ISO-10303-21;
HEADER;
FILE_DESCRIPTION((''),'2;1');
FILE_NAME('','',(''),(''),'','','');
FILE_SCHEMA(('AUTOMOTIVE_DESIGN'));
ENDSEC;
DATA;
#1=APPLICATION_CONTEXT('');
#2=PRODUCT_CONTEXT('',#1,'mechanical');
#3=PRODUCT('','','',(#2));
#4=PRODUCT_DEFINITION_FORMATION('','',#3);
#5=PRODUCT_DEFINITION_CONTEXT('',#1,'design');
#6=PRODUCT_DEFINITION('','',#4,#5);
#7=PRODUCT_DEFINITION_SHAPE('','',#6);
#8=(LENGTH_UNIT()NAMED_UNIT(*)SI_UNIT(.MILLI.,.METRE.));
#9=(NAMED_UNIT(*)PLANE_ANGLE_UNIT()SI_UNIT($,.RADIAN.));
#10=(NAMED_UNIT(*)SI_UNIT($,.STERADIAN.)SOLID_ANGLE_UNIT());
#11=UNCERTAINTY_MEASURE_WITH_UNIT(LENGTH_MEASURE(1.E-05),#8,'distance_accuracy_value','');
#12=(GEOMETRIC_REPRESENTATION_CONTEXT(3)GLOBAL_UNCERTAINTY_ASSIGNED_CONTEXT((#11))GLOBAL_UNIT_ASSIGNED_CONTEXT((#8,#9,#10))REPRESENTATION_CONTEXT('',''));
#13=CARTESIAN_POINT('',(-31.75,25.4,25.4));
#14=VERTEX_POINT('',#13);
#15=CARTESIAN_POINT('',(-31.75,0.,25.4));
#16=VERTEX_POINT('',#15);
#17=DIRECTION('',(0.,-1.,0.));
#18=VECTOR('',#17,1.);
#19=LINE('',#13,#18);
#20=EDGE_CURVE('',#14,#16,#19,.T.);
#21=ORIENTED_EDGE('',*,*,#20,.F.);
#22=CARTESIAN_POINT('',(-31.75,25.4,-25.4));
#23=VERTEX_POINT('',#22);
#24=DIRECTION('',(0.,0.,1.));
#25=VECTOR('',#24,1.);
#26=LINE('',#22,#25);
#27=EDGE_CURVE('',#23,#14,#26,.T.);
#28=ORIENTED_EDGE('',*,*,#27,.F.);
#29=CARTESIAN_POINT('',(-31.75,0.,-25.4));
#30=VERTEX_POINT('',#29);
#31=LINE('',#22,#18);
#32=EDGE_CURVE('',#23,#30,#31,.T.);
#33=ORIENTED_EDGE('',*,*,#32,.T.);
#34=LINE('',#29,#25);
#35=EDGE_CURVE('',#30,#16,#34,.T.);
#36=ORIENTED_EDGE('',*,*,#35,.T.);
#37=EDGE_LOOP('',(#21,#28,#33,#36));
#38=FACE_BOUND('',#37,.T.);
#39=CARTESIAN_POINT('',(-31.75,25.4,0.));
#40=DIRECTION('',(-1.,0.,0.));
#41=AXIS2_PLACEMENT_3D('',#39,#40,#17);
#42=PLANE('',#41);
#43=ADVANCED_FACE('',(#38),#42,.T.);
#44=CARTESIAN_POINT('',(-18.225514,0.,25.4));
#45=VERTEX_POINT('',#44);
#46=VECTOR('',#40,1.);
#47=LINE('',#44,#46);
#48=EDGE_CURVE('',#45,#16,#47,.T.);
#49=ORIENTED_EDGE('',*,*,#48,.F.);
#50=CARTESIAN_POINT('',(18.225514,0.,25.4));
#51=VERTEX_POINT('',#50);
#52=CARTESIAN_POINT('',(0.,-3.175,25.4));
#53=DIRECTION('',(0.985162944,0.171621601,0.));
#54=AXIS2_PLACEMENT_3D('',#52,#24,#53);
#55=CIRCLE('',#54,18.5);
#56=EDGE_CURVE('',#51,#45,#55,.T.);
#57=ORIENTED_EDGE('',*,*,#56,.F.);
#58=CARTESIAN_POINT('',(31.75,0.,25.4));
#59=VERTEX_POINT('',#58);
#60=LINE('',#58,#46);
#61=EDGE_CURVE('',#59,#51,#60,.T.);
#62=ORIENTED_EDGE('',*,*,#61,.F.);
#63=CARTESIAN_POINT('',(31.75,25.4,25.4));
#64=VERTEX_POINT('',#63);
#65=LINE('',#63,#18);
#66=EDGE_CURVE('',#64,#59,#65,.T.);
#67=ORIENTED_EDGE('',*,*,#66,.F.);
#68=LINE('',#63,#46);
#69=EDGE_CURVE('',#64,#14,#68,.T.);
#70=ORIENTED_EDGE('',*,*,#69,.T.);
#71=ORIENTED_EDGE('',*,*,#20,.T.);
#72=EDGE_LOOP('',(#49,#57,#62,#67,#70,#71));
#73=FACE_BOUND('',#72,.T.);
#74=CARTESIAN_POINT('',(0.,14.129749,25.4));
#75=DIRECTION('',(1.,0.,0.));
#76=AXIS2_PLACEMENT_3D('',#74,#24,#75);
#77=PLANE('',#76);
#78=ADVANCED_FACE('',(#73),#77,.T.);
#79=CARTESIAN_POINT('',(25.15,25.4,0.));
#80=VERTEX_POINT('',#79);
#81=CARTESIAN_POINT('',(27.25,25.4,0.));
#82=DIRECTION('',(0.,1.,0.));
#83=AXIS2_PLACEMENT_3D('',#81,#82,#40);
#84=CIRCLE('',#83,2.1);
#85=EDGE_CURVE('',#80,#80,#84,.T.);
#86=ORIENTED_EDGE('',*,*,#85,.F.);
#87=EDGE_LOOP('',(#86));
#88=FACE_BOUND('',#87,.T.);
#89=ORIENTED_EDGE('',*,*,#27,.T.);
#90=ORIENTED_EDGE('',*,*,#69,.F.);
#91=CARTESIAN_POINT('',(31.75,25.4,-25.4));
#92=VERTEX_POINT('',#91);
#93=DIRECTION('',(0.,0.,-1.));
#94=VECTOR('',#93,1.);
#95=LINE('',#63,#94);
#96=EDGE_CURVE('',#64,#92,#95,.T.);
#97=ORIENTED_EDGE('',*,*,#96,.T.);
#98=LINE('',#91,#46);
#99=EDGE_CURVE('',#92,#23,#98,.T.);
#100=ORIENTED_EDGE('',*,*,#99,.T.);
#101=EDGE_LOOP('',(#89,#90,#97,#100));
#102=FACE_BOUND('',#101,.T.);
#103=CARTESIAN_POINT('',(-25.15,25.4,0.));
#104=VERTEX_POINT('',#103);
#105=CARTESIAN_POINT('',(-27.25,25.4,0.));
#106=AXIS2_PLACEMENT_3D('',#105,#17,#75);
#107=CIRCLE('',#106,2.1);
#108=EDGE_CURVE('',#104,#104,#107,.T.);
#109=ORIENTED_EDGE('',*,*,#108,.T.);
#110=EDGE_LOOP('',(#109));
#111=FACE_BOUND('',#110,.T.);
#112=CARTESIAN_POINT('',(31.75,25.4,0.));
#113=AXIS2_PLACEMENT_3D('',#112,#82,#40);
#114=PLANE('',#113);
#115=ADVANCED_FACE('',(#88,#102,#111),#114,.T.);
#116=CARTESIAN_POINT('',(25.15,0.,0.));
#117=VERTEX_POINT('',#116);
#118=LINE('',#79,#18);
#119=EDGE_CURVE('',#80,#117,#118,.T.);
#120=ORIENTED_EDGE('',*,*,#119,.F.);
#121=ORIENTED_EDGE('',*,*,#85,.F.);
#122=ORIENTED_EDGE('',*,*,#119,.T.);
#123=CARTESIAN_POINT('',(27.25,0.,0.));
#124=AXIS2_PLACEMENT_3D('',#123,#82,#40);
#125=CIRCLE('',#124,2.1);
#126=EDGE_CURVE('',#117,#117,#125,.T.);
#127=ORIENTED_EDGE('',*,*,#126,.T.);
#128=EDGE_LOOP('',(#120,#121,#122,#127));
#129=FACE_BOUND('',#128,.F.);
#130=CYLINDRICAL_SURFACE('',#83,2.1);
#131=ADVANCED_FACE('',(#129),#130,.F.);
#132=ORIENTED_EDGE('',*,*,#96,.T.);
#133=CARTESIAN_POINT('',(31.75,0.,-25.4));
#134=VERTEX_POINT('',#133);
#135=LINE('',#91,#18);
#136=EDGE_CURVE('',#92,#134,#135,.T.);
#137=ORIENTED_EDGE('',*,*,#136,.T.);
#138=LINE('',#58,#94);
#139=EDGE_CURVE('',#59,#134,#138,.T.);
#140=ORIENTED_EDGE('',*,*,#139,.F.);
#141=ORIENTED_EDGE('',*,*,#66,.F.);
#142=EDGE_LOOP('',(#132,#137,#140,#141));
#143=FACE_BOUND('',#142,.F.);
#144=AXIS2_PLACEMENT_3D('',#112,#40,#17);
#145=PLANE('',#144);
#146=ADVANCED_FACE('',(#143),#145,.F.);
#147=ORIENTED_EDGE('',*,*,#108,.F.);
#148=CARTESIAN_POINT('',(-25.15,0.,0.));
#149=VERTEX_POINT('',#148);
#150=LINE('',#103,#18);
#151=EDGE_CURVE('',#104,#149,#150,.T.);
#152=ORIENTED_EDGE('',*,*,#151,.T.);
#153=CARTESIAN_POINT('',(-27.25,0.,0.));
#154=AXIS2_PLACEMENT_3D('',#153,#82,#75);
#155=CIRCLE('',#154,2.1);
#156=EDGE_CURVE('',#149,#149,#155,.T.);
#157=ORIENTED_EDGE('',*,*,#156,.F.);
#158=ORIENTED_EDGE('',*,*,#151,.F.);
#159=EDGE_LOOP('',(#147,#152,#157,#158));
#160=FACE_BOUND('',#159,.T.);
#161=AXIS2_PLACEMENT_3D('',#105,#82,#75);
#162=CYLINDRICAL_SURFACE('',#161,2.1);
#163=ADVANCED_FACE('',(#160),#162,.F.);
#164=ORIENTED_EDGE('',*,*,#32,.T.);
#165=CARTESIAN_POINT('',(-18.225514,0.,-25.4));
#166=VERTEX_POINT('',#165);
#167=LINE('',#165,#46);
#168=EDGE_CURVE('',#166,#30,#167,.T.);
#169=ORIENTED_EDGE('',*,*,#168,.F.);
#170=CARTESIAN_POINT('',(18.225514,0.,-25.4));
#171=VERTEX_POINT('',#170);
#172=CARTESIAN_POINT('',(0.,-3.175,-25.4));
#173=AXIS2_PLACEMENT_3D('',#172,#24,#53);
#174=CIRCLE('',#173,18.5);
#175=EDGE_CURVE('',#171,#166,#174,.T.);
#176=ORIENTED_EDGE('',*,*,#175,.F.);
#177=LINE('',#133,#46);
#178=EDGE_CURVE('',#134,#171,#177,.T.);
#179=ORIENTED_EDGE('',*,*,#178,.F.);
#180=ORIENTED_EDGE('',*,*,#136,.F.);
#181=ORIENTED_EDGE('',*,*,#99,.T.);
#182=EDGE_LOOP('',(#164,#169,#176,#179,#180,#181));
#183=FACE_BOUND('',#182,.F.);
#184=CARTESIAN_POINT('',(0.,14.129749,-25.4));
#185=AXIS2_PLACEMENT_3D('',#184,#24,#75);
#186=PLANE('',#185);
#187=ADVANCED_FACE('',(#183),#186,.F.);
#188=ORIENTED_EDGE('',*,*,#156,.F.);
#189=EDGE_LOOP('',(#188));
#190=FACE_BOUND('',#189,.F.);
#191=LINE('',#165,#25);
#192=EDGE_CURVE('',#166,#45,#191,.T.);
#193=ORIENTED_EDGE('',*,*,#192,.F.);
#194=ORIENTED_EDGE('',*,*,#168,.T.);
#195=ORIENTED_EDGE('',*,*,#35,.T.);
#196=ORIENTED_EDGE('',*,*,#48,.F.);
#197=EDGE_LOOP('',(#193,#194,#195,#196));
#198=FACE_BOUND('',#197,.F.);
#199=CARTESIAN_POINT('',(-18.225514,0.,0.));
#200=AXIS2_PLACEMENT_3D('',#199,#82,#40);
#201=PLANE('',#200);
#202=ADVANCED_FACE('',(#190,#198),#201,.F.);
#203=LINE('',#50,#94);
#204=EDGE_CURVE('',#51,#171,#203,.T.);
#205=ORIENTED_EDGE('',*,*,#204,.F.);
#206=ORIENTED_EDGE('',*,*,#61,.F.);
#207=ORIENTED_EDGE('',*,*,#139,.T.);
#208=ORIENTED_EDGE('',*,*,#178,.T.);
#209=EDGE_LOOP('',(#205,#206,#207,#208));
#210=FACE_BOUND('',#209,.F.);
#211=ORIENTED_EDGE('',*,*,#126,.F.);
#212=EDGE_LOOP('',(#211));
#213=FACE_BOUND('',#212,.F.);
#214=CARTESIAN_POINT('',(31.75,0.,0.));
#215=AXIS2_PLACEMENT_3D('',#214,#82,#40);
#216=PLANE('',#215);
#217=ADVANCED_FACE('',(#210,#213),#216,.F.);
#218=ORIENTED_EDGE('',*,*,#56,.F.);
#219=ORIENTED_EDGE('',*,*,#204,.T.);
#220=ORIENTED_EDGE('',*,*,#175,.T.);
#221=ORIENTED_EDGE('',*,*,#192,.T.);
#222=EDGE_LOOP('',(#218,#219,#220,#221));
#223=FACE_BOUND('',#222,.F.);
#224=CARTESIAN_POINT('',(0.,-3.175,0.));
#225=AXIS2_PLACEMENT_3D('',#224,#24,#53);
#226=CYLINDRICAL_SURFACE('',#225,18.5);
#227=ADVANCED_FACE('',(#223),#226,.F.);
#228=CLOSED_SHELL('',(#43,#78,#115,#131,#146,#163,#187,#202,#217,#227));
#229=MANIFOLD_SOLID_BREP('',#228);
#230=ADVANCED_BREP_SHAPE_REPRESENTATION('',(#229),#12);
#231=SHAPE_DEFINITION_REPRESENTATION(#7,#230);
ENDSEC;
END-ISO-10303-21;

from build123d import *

# Parameters (mm, degrees)
PAD001_DEPTH  = 25.4
SKETCH004_R   = 2.1
HOLE001_DEPTH = 195.78938


with BuildPart() as part:
    # CopySketch002 → Pad001 (new body, symmetric)
    with BuildSketch(Plane.XY):
        with BuildLine():
            Line((31.75, 25.4), (-31.75, 25.4))
            Line((-31.75, 25.4), (-31.75, 0))
            Line((-18.225514, 0), (-31.75, 0))
            ThreePointArc((18.225514, 0), (0, 15.325), (-18.225514, 0))
            Line((31.75, 0), (18.225514, 0))
            Line((31.75, 25.4), (31.75, 0))
        make_face()
    extrude(amount=PAD001_DEPTH, both=True)

    # Sketch004 (on Face2 of Pad001) → Hole001 (cut, through all)
    with BuildSketch(Plane(origin=(0, 25.4, 0), x_dir=(-1, 0, 0), z_dir=(0, 1, 0))):
        with Locations((-27.25, 0)):
            Circle(SKETCH004_R)
    hole001 = extrude(amount=-HOLE001_DEPTH, mode=Mode.SUBTRACT)

    # Mirrored002: Hole001 across Sketch004 V_Axis
    add(hole001.mirror(Plane(origin=(0, 25.4, 0), x_dir=(0, 1, 0), z_dir=(-1, 0, 0))), mode=Mode.SUBTRACT)


solid = part.part
